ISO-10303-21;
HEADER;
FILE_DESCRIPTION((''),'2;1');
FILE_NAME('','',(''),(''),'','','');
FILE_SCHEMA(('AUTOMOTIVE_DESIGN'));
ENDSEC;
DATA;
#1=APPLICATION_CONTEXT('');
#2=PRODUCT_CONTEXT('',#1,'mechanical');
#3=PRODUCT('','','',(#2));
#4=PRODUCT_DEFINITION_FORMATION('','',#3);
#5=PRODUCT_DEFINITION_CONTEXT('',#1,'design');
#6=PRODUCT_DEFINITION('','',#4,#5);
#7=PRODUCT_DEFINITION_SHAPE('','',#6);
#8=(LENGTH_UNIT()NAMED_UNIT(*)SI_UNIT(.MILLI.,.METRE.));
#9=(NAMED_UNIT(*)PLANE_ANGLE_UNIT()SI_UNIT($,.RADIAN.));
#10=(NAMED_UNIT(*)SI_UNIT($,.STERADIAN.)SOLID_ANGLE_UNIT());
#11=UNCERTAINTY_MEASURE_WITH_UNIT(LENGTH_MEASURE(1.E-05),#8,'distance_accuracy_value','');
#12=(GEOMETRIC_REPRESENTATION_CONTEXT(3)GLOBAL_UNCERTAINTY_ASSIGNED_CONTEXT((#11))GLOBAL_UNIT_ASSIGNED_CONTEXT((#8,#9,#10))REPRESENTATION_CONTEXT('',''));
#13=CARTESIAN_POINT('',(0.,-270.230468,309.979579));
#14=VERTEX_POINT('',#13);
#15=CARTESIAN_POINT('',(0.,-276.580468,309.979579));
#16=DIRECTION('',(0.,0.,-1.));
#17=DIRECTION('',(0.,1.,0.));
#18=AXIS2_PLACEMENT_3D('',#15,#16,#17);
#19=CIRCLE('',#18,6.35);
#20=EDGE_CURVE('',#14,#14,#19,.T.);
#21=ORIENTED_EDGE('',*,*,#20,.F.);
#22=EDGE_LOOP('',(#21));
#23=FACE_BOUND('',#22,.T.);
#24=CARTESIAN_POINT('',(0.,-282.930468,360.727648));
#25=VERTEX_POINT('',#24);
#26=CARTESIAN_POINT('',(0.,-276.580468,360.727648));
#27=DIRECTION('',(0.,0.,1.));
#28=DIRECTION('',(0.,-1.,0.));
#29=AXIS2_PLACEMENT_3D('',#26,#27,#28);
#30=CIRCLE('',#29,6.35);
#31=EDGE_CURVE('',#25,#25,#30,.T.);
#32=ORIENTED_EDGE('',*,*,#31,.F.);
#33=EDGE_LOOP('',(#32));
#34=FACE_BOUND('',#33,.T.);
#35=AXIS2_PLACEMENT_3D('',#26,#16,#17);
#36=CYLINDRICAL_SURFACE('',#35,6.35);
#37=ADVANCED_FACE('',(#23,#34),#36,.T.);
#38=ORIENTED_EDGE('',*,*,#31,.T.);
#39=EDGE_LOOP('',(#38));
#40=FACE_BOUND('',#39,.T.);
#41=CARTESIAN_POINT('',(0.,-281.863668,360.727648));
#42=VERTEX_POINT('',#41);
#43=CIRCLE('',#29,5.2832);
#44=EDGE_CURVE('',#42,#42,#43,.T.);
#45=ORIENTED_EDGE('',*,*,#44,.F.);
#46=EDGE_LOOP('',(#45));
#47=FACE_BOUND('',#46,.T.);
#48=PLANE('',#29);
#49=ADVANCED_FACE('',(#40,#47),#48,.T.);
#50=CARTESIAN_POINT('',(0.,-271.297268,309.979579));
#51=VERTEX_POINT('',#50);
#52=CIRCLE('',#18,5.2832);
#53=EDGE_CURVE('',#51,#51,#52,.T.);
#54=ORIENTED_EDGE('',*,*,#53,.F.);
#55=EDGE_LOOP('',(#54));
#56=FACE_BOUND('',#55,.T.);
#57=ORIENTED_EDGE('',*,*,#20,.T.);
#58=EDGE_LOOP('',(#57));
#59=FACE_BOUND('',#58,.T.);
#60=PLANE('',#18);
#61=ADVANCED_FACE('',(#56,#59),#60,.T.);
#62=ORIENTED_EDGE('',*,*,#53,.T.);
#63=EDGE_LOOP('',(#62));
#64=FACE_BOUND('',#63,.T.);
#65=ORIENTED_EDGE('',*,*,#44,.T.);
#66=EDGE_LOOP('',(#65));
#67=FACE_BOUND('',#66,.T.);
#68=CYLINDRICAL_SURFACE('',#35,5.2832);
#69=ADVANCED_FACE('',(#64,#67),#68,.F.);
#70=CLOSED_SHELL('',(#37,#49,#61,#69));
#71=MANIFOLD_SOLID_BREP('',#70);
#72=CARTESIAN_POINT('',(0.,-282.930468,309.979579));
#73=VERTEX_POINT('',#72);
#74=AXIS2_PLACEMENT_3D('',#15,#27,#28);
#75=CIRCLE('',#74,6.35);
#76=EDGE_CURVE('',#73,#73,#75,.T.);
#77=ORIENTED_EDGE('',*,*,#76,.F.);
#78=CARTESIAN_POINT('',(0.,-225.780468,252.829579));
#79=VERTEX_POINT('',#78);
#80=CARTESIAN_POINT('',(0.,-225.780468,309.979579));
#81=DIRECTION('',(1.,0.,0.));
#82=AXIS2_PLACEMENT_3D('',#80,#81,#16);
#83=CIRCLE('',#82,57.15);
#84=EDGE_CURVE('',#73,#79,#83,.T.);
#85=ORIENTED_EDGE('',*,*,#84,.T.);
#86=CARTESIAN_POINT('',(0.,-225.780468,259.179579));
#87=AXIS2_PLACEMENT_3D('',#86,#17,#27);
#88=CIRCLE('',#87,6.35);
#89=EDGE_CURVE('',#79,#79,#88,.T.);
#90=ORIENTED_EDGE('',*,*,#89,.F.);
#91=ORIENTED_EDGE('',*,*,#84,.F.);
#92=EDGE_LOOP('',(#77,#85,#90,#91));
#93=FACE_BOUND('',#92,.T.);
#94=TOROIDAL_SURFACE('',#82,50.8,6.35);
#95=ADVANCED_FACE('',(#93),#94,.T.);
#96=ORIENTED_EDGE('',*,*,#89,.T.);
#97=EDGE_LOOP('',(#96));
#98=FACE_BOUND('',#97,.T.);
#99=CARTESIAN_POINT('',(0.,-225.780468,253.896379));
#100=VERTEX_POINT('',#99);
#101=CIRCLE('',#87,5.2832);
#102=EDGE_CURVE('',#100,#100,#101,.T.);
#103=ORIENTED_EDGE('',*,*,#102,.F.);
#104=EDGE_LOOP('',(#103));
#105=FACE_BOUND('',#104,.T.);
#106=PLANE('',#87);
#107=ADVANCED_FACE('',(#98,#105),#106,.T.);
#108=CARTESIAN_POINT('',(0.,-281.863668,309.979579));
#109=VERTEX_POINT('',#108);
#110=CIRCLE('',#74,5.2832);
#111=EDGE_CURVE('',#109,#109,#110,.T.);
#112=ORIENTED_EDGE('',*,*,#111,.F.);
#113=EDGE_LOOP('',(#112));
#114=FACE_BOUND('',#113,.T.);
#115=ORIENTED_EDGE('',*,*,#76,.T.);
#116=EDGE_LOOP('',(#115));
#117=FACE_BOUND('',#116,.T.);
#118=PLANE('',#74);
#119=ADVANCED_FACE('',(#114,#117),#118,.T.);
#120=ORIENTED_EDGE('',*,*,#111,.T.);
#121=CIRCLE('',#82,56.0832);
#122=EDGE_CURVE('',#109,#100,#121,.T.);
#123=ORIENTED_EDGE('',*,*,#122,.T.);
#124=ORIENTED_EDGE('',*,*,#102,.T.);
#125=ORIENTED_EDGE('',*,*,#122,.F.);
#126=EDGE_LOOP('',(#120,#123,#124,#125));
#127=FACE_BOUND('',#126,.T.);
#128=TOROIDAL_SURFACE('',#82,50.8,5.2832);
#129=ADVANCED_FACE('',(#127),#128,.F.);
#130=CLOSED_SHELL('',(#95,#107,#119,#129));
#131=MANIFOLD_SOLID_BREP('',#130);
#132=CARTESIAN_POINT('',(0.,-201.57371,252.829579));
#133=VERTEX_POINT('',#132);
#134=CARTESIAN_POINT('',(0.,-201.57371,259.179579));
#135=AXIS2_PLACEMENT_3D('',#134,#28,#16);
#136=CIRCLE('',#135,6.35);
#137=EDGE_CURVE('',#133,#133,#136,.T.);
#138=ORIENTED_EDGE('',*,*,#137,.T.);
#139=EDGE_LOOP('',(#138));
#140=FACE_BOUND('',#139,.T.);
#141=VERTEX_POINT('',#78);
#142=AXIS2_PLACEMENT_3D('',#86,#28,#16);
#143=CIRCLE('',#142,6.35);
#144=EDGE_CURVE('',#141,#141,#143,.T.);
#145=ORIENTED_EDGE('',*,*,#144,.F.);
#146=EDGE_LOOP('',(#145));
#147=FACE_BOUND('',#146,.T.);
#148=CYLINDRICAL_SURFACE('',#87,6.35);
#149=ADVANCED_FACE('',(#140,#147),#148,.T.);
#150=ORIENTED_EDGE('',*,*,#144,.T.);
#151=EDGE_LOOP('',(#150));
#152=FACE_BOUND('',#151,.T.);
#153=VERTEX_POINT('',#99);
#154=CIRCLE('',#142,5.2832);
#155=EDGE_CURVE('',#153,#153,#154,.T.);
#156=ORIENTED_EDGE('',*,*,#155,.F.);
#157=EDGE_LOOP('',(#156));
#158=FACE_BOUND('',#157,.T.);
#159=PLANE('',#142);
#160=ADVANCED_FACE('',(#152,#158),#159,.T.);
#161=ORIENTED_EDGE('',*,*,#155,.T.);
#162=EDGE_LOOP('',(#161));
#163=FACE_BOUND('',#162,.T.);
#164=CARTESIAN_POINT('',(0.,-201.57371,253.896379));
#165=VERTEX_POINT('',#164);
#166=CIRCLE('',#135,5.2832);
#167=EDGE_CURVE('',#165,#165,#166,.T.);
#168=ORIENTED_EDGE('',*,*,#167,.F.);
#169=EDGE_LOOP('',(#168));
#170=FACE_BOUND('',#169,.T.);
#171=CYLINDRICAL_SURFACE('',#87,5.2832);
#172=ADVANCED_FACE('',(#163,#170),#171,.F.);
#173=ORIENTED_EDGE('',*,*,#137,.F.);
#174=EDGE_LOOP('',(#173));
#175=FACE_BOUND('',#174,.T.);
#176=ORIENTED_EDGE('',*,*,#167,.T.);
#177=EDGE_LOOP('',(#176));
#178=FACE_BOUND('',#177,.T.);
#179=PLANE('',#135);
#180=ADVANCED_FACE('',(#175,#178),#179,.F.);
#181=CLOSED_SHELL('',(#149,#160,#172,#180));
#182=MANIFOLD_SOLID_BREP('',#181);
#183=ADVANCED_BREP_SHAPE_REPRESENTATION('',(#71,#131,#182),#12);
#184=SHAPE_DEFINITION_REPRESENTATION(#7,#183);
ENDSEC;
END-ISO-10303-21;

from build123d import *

# Parameters (mm, degrees)
SKETCH1_R                 = 6.35
SKETCH1_R_2               = 5.2832
PIPE_0_5_SCH_40_1_DEPTH   = 24.206758294
SKETCH1_ON_SEGMENT_2_R    = 6.35
SKETCH1_ON_SEGMENT_2_R_2  = 5.2832
PIPE_0_5_SCH_40_1_2_ANGLE = 90
SKETCH1_ON_SEGMENT_3_R    = 6.35
SKETCH1_ON_SEGMENT_3_R_2  = 5.2832
PIPE_0_5_SCH_40_1_3_DEPTH = 50.748068919


with BuildPart() as part:
    # Sketch1 → Pipe 0.5 SCH 40(1) (new body)
    with BuildSketch(Plane(origin=(0, -201.573709624, 259.179579455), x_dir=(0, 0, -1), z_dir=(0, -1, 0))):
        Circle(SKETCH1_R)
        Circle(SKETCH1_R_2, mode=Mode.SUBTRACT)
    extrude(amount=PIPE_0_5_SCH_40_1_DEPTH)


with BuildPart() as body_2:
    # Sketch1 on segment 2 (carried to the start of arc 2) → Pipe 0.5 SCH 40_1 2 (revolve)
    with BuildSketch(Plane(origin=(0, -225.780467918, 259.179579455), x_dir=(0, 0, -1), z_dir=(0, -1, 0))):
        Circle(SKETCH1_ON_SEGMENT_2_R)
        Circle(SKETCH1_ON_SEGMENT_2_R_2, mode=Mode.SUBTRACT)
    revolve(axis=Axis((0, -225.780467918, 309.979579455), (-1, 0, 0)), revolution_arc=PIPE_0_5_SCH_40_1_2_ANGLE)


with BuildPart() as body_3:
    # Sketch1 on segment 3 (carried to segment 3) → Pipe 0.5 SCH 40_1 3 (new body)
    with BuildSketch(Plane(origin=(0, -276.580467918, 309.979579455), x_dir=(0, -1, 0), z_dir=(0, 0, 1))):
        Circle(SKETCH1_ON_SEGMENT_3_R)
        Circle(SKETCH1_ON_SEGMENT_3_R_2, mode=Mode.SUBTRACT)
    extrude(amount=PIPE_0_5_SCH_40_1_3_DEPTH)


solid = Compound([part.part, body_2.part, body_3.part])
